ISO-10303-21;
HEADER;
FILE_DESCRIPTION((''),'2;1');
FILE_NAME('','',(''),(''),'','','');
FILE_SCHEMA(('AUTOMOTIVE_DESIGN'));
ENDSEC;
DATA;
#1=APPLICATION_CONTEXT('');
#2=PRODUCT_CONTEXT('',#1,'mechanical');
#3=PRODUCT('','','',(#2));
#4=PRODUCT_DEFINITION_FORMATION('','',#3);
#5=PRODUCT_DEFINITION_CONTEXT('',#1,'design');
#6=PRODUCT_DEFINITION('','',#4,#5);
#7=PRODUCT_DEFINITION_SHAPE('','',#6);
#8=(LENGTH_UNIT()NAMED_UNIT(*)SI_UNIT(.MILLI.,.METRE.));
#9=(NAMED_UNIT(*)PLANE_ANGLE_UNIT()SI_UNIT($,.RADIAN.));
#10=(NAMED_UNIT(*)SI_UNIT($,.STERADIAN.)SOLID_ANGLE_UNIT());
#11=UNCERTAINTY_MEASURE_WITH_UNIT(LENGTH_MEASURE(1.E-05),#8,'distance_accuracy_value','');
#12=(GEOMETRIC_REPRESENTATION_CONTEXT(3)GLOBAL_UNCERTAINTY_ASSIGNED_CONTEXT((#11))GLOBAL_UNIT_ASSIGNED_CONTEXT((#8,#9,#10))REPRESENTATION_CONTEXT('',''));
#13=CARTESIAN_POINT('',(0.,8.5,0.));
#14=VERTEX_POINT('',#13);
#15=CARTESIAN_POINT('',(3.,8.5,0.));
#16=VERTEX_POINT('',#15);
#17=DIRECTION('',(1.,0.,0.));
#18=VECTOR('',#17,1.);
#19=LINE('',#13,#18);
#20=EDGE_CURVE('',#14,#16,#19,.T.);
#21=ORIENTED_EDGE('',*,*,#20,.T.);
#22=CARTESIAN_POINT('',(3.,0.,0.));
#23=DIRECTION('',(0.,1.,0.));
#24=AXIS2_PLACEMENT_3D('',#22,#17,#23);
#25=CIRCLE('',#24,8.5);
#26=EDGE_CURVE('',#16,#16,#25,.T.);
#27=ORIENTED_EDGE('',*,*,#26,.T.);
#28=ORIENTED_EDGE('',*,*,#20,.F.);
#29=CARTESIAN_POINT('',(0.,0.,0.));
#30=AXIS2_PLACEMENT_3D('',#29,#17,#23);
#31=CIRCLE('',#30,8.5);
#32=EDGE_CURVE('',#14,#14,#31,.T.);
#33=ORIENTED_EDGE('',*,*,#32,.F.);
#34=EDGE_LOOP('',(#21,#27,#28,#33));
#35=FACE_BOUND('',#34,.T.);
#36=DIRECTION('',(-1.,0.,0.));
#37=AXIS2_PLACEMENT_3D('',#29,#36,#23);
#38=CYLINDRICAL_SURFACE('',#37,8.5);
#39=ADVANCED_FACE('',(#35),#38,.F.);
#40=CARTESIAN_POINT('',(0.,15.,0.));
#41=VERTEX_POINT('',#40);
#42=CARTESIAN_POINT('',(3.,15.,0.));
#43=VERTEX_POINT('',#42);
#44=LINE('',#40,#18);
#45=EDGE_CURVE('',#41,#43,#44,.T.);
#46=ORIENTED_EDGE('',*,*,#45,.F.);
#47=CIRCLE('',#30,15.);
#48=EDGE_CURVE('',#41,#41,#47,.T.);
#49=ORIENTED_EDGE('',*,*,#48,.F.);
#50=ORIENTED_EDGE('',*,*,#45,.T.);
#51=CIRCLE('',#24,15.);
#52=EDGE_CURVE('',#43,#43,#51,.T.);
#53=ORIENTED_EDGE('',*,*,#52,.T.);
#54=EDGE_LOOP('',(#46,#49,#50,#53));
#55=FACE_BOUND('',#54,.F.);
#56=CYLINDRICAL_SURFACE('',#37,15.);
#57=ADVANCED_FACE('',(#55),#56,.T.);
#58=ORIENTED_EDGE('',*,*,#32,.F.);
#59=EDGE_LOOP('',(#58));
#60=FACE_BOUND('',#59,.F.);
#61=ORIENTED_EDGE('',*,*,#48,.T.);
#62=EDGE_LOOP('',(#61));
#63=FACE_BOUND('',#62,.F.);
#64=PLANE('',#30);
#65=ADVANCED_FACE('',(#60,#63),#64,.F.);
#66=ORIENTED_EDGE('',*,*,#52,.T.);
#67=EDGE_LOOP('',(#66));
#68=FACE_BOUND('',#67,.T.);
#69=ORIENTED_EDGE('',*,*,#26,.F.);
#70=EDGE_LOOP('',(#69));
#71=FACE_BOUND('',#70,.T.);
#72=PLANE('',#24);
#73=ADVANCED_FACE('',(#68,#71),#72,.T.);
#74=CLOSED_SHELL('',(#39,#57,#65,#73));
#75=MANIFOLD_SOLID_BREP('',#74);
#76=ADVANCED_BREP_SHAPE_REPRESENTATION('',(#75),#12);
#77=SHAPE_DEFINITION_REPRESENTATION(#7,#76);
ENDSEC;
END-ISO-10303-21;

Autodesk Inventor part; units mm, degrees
ref_plane "YZ Plane" through (0, 0, 0) normal (1, 0, 0) x (0, 1, 0)
ref_plane "XZ Plane" through (0, 0, 0) normal (0, 1, 0) x (-1, 0, 0)
sketch "Sketch" plane through (0, 0, 0) normal (1, 0, 0) x (0, 1, 0)
  circle A0 centre (0, 0) radius 15
  circle A1 centre (0, 0) radius 8.5
  dimension "d0" = 17
  dimension "d1" = 30
extrude "Body" add sketch "Sketch" along normal blind 3
ref_plane "Work Plane1" through (0, 0, 0) normal (0, 0, 1) x (1, 0, 0)
equation "\"d0\" = SD1"
equation "\"d1\" = SD2"
equation "\"d2\" = SD"
equation "\"SD1\" = 17"
equation "\"SD2\" = 30"
equation "\"SD\" = 3"
equation "\"NND\" = 16"
properties part number "ISO 7089 - 16" material "Stainless Steel"
